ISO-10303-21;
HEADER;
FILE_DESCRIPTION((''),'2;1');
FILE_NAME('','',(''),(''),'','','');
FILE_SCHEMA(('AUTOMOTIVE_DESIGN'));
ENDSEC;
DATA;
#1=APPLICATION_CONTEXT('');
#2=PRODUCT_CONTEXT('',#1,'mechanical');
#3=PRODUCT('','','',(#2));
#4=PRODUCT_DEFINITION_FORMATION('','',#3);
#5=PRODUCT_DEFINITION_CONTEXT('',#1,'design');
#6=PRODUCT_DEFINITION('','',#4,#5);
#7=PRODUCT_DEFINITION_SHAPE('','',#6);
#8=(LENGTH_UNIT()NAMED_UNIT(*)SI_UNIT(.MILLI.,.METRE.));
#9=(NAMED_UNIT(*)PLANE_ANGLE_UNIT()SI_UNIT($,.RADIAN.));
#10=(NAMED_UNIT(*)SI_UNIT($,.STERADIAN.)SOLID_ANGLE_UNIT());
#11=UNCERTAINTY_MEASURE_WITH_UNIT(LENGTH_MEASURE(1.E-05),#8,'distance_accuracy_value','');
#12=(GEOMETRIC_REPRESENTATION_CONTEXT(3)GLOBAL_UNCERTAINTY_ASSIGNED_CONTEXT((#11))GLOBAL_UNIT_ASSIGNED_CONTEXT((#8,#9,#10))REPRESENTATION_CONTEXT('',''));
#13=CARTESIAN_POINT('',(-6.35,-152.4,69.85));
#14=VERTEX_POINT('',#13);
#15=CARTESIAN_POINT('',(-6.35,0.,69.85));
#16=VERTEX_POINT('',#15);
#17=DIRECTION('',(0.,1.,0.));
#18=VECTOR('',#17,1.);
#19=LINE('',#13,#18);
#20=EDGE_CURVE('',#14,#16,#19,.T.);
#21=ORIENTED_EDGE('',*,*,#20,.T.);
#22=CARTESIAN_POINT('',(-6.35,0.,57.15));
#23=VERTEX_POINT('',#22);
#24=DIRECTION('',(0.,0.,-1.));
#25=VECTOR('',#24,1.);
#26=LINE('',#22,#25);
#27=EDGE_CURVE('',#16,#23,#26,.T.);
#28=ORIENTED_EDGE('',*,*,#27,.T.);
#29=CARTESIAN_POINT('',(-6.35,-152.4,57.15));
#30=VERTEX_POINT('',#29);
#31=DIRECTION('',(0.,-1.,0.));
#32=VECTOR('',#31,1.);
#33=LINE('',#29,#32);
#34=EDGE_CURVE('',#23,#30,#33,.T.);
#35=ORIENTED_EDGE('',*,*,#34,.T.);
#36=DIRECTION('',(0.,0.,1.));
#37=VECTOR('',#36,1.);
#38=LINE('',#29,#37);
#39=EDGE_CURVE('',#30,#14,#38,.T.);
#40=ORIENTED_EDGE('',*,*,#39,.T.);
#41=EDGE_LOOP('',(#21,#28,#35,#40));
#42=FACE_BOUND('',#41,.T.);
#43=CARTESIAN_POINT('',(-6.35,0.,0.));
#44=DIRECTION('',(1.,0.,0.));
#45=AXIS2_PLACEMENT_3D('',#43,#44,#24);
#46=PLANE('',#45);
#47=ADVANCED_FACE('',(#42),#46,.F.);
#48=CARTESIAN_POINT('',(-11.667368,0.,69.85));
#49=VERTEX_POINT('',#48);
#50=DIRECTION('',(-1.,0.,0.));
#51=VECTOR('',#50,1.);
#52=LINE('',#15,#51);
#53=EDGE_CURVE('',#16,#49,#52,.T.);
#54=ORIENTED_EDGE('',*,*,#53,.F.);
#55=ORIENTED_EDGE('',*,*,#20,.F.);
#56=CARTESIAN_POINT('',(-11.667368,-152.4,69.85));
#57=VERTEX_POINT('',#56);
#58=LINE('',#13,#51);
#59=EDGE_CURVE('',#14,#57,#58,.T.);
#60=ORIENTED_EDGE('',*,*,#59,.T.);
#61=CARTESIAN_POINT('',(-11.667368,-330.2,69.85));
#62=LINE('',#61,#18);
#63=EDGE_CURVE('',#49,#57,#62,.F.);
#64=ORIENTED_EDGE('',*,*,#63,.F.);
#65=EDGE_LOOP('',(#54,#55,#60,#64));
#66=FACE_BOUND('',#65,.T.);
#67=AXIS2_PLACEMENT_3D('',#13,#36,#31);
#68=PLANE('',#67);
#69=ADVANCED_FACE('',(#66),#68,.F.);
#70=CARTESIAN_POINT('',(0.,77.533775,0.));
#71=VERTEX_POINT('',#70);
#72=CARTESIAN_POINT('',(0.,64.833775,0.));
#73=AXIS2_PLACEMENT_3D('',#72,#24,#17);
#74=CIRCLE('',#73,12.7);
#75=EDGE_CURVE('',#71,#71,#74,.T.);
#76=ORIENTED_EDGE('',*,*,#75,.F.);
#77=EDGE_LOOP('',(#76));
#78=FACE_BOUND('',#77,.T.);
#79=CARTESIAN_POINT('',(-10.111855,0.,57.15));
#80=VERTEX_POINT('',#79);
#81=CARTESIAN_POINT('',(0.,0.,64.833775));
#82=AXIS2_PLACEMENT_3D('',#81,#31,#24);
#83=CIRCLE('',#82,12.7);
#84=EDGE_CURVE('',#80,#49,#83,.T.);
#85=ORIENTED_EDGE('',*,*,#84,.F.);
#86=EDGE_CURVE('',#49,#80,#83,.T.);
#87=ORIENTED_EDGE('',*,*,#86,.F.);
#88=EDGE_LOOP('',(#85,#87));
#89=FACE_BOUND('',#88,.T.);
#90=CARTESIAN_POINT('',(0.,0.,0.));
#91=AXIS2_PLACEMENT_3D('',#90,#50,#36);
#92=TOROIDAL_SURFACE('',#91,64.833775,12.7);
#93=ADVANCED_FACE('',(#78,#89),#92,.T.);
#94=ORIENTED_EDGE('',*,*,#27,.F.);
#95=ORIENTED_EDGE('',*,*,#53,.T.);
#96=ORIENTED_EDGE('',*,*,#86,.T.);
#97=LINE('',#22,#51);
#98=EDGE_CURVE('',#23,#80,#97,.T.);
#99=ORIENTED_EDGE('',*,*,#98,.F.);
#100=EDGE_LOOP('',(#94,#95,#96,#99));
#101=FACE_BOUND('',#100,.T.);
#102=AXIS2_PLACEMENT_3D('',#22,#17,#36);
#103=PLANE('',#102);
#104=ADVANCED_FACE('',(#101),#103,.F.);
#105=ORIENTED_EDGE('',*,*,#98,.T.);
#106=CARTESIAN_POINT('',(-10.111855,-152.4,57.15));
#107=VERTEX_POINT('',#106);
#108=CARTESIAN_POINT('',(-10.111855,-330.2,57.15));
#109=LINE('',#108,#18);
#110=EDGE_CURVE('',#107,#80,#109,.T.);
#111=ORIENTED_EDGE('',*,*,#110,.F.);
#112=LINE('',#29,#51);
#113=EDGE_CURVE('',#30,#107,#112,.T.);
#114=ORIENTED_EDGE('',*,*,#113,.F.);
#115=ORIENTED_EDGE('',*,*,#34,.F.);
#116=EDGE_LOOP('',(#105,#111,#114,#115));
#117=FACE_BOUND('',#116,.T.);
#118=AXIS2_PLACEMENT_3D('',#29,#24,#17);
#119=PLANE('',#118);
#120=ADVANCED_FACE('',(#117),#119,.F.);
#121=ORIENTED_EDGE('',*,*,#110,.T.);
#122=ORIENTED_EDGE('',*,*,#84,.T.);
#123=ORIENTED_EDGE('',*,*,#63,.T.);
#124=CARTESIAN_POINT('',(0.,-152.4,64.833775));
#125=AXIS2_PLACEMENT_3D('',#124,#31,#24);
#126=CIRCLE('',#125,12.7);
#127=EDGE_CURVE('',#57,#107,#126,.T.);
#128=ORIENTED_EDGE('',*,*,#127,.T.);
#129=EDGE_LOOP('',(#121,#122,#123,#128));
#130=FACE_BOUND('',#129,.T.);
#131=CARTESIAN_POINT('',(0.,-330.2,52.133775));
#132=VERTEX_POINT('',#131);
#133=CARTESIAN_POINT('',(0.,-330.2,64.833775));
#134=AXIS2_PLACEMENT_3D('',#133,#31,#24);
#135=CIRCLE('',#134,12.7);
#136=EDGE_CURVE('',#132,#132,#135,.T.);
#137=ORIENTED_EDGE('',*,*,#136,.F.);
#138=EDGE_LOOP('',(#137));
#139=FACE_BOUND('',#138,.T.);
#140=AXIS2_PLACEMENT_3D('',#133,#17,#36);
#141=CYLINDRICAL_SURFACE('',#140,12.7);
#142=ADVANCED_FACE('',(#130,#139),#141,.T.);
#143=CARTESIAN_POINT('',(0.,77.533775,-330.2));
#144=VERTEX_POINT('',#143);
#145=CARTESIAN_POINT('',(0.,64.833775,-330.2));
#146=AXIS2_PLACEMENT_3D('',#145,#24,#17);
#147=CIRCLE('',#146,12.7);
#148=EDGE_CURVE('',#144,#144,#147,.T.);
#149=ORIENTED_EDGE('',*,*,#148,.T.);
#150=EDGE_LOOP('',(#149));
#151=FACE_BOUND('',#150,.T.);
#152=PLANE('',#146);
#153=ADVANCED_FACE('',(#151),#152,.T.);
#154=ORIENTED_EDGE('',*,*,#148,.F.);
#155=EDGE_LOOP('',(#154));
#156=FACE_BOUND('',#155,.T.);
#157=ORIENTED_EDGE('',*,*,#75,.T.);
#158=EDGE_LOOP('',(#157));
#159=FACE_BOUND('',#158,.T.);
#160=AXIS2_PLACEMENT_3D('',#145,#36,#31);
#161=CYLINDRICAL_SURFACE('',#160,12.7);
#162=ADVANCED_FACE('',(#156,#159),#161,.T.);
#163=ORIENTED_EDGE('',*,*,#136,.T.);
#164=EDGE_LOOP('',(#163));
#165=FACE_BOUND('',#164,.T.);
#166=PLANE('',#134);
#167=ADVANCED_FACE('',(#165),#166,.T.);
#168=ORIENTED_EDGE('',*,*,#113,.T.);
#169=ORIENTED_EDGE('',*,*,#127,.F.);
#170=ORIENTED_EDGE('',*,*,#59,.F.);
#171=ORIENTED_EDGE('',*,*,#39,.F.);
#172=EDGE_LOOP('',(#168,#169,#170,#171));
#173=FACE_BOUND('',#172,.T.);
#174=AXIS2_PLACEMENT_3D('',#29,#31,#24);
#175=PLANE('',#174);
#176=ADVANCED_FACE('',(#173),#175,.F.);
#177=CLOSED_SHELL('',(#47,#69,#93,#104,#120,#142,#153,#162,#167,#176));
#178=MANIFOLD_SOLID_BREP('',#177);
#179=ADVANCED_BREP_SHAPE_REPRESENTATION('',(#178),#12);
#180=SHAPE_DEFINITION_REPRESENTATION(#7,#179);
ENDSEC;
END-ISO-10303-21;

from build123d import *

# Parameters (mm, degrees)
SKETCH3_R           = 12.7
SKETCH4_R           = 12.7
BOSS_EXTRUDE3_DEPTH = 330.2
SKETCH5_R           = 12.7
BOSS_EXTRUDE4_DEPTH = 330.2
SKETCH6_W           = 12.7
SKETCH6_H           = 152.4
CUT_EXTRUDE1_DEPTH  = 6.35


with BuildPart() as part:
    # Sweep1: sweep along a path in Sketch2
    with BuildLine(Plane(origin=(0, 0, 0), x_dir=(0, 0, -1), z_dir=(1, 0, 0))) as sweep1_path:
        ThreePointArc((-64.833774642, 0), (-45.844401699, 45.844401699), (0, 64.833774642))
    # Sketch3 → Sweep1 (sweep)
    with BuildSketch(Plane(origin=(0, 0, 0), x_dir=(1, 0, 0), z_dir=(0, 1, 0))):
        with Locations((0, -64.833774642)):
            Circle(SKETCH3_R)
    sweep(path=sweep1_path.line)

    # Sketch4 → Boss-Extrude3 (add)
    with BuildSketch(Plane(origin=(0, 0, 0), x_dir=(-1, 0, 0), z_dir=(0, -1, 0))):
        with Locations(Location((0, -64.833774642, 0), (0, 0, 90))):
            Circle(SKETCH4_R)
    extrude(amount=BOSS_EXTRUDE3_DEPTH)

    # Sketch5 → Boss-Extrude4 (add)
    with BuildSketch(Plane(origin=(0, 0, 0), x_dir=(-1, 0, 0), z_dir=(0, 0, -1))):
        with Locations(Location((0, 64.833774642, 0), (0, 0, 90))):
            Circle(SKETCH5_R)
    extrude(amount=BOSS_EXTRUDE4_DEPTH)

    # Sketch6 → Cut-Extrude1 (cut)
    with BuildSketch(Plane.ZY.offset(12.7)):
        with Locations((63.5, -76.2)):
            Rectangle(SKETCH6_W, SKETCH6_H)
    extrude(amount=-CUT_EXTRUDE1_DEPTH, mode=Mode.SUBTRACT)


solid = part.part
